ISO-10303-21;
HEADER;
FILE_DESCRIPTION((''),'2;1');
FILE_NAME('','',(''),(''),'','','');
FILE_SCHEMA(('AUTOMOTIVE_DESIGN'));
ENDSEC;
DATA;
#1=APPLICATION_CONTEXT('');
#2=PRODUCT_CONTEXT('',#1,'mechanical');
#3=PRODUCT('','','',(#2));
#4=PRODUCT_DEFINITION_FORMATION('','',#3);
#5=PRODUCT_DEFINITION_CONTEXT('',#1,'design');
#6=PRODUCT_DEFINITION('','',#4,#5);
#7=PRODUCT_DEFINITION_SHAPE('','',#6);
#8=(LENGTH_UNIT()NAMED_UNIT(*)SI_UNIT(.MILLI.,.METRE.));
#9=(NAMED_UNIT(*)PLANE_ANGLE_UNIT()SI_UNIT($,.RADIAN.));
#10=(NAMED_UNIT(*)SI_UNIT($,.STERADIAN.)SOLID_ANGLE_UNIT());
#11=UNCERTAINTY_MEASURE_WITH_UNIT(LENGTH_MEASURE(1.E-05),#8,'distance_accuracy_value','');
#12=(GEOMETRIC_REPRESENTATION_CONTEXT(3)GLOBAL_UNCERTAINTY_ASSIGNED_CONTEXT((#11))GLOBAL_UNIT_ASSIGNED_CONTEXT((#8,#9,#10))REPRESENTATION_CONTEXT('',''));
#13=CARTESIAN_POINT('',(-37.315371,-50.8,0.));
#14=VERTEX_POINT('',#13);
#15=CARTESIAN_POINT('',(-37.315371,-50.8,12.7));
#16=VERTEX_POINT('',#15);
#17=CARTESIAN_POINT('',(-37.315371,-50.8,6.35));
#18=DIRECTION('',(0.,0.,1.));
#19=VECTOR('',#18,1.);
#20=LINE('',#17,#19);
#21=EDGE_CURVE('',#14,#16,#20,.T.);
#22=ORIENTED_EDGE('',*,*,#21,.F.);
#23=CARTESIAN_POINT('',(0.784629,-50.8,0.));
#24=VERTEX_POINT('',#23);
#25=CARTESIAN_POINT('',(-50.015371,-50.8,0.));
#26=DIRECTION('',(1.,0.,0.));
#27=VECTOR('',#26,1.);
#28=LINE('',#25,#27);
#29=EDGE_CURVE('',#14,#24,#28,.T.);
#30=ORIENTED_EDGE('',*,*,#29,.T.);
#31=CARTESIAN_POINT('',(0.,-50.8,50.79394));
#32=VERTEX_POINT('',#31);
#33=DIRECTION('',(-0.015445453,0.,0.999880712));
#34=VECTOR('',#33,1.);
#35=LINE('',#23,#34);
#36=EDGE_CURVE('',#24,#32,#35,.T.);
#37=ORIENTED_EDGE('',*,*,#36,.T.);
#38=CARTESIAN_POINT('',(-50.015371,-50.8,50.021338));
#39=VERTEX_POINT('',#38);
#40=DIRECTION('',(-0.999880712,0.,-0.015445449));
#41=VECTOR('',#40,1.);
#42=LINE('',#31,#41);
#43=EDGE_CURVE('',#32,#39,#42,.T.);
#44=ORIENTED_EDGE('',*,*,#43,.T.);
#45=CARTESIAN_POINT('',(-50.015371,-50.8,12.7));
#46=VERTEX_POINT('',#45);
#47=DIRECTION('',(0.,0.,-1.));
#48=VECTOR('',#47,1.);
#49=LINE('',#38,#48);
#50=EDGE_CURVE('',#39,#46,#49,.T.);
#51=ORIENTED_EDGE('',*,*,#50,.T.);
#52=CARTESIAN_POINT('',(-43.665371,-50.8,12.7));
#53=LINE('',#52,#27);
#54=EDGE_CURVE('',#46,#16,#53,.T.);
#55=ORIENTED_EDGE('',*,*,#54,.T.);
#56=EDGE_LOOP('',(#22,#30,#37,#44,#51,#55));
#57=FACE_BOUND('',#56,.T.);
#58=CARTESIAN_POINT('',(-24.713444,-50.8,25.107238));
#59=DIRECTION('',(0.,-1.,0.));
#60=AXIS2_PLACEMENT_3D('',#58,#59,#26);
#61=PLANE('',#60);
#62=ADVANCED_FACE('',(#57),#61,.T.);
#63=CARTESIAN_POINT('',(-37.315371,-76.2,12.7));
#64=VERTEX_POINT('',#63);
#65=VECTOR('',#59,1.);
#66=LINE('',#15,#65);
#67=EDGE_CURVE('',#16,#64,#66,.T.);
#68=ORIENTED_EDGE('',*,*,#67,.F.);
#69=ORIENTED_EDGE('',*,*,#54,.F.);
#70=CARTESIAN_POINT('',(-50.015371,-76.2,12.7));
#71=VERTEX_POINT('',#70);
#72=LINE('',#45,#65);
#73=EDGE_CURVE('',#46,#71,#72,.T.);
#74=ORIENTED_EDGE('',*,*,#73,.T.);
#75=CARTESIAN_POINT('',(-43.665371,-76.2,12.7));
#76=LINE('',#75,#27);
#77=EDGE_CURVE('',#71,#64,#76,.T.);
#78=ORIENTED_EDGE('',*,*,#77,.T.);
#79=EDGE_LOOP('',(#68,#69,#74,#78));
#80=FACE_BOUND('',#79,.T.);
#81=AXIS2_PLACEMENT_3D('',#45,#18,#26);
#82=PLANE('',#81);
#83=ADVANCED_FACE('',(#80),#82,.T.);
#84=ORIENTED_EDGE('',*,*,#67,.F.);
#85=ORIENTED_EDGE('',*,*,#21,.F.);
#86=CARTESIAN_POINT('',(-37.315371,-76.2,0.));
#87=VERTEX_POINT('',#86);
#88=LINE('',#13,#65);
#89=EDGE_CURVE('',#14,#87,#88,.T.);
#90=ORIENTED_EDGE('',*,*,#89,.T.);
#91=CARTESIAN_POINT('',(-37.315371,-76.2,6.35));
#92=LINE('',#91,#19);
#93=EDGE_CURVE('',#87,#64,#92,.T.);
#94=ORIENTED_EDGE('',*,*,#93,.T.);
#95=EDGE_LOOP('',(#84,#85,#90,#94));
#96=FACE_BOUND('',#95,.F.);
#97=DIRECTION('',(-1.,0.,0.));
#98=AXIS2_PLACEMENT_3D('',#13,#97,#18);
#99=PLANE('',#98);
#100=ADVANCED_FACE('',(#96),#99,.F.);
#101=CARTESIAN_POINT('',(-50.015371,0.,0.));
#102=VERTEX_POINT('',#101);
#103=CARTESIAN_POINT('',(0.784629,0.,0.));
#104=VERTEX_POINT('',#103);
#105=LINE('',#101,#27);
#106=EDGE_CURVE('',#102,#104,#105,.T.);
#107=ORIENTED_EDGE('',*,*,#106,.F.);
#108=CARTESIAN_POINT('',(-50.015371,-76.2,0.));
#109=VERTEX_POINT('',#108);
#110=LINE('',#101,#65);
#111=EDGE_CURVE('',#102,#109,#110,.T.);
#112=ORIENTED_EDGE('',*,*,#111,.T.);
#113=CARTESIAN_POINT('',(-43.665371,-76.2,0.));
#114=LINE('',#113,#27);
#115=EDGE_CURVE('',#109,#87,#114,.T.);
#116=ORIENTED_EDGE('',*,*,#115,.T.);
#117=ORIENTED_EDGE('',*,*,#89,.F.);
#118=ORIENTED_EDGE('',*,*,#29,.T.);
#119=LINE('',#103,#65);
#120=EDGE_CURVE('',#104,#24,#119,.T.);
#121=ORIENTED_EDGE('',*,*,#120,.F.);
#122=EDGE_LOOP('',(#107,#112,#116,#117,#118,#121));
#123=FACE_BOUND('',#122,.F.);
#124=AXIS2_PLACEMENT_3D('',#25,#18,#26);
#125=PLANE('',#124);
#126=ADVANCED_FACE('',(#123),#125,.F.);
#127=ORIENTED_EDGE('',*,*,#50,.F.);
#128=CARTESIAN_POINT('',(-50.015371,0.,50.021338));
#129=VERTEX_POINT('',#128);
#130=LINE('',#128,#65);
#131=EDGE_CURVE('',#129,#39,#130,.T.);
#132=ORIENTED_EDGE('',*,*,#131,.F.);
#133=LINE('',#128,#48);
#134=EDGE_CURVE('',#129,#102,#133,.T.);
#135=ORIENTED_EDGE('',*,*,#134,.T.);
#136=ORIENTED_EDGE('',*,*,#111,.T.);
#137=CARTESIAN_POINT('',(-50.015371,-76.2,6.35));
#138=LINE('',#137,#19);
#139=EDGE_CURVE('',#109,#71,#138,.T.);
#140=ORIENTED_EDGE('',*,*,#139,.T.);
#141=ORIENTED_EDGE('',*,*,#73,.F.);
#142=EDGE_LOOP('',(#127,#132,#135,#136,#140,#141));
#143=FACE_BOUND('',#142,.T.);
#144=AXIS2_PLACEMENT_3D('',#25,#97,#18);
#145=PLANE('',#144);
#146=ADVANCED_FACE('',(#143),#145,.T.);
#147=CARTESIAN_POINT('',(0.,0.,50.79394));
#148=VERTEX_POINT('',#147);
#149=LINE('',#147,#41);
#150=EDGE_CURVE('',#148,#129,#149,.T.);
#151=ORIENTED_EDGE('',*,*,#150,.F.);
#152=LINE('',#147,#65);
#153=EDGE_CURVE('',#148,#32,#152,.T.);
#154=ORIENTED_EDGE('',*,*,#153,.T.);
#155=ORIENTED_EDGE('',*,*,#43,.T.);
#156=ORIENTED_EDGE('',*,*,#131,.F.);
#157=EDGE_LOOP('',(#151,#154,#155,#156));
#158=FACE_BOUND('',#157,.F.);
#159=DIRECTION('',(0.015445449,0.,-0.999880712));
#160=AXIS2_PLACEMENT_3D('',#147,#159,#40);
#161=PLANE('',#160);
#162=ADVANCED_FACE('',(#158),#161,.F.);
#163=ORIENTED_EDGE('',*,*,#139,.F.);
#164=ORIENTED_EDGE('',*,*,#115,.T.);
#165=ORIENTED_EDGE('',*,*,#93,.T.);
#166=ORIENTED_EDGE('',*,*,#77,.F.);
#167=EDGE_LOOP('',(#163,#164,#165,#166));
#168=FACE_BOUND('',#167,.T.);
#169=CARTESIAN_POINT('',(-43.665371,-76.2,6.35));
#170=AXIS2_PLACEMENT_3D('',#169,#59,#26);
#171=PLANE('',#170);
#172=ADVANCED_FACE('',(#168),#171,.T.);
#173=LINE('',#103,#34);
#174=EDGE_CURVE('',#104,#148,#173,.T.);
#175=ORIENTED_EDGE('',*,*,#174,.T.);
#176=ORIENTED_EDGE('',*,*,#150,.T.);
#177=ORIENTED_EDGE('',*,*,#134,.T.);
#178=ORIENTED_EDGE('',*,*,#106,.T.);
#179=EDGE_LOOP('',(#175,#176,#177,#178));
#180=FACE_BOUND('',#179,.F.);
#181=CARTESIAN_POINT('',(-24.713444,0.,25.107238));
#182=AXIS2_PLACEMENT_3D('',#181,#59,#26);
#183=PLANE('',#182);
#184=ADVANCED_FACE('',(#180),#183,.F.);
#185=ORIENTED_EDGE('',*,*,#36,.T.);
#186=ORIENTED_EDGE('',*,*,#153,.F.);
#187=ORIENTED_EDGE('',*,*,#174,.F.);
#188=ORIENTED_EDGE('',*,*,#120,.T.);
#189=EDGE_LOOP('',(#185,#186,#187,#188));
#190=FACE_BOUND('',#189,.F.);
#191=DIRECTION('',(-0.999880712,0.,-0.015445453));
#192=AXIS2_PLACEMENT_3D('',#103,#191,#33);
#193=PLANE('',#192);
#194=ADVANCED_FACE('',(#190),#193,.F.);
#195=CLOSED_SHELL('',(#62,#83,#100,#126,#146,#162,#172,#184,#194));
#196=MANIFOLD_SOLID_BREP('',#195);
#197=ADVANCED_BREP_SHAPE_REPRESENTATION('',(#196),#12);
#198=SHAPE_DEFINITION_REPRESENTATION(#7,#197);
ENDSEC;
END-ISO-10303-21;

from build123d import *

# Parameters (mm, degrees)
F1_DEPTH = 50.8
F2_W     = 12.7
F2_H     = 12.7
F3_DEPTH = 25.4


with BuildPart() as f1:
    # F0 (on Front) → F1 (new body)
    with BuildSketch(Plane.XZ):
        Polygon((0, 50.79394), (-50.015371, 50.021338), (-50.015371, 0), (0.784629, 0), align=None)
    extrude(amount=F1_DEPTH)

    # F2 (on face) → F3 (join)
    with BuildSketch(Plane.XZ.offset(50.8)):
        with Locations((-43.665371, 6.35)):
            Rectangle(F2_W, F2_H)
    extrude(amount=F3_DEPTH)


solid = f1.part
